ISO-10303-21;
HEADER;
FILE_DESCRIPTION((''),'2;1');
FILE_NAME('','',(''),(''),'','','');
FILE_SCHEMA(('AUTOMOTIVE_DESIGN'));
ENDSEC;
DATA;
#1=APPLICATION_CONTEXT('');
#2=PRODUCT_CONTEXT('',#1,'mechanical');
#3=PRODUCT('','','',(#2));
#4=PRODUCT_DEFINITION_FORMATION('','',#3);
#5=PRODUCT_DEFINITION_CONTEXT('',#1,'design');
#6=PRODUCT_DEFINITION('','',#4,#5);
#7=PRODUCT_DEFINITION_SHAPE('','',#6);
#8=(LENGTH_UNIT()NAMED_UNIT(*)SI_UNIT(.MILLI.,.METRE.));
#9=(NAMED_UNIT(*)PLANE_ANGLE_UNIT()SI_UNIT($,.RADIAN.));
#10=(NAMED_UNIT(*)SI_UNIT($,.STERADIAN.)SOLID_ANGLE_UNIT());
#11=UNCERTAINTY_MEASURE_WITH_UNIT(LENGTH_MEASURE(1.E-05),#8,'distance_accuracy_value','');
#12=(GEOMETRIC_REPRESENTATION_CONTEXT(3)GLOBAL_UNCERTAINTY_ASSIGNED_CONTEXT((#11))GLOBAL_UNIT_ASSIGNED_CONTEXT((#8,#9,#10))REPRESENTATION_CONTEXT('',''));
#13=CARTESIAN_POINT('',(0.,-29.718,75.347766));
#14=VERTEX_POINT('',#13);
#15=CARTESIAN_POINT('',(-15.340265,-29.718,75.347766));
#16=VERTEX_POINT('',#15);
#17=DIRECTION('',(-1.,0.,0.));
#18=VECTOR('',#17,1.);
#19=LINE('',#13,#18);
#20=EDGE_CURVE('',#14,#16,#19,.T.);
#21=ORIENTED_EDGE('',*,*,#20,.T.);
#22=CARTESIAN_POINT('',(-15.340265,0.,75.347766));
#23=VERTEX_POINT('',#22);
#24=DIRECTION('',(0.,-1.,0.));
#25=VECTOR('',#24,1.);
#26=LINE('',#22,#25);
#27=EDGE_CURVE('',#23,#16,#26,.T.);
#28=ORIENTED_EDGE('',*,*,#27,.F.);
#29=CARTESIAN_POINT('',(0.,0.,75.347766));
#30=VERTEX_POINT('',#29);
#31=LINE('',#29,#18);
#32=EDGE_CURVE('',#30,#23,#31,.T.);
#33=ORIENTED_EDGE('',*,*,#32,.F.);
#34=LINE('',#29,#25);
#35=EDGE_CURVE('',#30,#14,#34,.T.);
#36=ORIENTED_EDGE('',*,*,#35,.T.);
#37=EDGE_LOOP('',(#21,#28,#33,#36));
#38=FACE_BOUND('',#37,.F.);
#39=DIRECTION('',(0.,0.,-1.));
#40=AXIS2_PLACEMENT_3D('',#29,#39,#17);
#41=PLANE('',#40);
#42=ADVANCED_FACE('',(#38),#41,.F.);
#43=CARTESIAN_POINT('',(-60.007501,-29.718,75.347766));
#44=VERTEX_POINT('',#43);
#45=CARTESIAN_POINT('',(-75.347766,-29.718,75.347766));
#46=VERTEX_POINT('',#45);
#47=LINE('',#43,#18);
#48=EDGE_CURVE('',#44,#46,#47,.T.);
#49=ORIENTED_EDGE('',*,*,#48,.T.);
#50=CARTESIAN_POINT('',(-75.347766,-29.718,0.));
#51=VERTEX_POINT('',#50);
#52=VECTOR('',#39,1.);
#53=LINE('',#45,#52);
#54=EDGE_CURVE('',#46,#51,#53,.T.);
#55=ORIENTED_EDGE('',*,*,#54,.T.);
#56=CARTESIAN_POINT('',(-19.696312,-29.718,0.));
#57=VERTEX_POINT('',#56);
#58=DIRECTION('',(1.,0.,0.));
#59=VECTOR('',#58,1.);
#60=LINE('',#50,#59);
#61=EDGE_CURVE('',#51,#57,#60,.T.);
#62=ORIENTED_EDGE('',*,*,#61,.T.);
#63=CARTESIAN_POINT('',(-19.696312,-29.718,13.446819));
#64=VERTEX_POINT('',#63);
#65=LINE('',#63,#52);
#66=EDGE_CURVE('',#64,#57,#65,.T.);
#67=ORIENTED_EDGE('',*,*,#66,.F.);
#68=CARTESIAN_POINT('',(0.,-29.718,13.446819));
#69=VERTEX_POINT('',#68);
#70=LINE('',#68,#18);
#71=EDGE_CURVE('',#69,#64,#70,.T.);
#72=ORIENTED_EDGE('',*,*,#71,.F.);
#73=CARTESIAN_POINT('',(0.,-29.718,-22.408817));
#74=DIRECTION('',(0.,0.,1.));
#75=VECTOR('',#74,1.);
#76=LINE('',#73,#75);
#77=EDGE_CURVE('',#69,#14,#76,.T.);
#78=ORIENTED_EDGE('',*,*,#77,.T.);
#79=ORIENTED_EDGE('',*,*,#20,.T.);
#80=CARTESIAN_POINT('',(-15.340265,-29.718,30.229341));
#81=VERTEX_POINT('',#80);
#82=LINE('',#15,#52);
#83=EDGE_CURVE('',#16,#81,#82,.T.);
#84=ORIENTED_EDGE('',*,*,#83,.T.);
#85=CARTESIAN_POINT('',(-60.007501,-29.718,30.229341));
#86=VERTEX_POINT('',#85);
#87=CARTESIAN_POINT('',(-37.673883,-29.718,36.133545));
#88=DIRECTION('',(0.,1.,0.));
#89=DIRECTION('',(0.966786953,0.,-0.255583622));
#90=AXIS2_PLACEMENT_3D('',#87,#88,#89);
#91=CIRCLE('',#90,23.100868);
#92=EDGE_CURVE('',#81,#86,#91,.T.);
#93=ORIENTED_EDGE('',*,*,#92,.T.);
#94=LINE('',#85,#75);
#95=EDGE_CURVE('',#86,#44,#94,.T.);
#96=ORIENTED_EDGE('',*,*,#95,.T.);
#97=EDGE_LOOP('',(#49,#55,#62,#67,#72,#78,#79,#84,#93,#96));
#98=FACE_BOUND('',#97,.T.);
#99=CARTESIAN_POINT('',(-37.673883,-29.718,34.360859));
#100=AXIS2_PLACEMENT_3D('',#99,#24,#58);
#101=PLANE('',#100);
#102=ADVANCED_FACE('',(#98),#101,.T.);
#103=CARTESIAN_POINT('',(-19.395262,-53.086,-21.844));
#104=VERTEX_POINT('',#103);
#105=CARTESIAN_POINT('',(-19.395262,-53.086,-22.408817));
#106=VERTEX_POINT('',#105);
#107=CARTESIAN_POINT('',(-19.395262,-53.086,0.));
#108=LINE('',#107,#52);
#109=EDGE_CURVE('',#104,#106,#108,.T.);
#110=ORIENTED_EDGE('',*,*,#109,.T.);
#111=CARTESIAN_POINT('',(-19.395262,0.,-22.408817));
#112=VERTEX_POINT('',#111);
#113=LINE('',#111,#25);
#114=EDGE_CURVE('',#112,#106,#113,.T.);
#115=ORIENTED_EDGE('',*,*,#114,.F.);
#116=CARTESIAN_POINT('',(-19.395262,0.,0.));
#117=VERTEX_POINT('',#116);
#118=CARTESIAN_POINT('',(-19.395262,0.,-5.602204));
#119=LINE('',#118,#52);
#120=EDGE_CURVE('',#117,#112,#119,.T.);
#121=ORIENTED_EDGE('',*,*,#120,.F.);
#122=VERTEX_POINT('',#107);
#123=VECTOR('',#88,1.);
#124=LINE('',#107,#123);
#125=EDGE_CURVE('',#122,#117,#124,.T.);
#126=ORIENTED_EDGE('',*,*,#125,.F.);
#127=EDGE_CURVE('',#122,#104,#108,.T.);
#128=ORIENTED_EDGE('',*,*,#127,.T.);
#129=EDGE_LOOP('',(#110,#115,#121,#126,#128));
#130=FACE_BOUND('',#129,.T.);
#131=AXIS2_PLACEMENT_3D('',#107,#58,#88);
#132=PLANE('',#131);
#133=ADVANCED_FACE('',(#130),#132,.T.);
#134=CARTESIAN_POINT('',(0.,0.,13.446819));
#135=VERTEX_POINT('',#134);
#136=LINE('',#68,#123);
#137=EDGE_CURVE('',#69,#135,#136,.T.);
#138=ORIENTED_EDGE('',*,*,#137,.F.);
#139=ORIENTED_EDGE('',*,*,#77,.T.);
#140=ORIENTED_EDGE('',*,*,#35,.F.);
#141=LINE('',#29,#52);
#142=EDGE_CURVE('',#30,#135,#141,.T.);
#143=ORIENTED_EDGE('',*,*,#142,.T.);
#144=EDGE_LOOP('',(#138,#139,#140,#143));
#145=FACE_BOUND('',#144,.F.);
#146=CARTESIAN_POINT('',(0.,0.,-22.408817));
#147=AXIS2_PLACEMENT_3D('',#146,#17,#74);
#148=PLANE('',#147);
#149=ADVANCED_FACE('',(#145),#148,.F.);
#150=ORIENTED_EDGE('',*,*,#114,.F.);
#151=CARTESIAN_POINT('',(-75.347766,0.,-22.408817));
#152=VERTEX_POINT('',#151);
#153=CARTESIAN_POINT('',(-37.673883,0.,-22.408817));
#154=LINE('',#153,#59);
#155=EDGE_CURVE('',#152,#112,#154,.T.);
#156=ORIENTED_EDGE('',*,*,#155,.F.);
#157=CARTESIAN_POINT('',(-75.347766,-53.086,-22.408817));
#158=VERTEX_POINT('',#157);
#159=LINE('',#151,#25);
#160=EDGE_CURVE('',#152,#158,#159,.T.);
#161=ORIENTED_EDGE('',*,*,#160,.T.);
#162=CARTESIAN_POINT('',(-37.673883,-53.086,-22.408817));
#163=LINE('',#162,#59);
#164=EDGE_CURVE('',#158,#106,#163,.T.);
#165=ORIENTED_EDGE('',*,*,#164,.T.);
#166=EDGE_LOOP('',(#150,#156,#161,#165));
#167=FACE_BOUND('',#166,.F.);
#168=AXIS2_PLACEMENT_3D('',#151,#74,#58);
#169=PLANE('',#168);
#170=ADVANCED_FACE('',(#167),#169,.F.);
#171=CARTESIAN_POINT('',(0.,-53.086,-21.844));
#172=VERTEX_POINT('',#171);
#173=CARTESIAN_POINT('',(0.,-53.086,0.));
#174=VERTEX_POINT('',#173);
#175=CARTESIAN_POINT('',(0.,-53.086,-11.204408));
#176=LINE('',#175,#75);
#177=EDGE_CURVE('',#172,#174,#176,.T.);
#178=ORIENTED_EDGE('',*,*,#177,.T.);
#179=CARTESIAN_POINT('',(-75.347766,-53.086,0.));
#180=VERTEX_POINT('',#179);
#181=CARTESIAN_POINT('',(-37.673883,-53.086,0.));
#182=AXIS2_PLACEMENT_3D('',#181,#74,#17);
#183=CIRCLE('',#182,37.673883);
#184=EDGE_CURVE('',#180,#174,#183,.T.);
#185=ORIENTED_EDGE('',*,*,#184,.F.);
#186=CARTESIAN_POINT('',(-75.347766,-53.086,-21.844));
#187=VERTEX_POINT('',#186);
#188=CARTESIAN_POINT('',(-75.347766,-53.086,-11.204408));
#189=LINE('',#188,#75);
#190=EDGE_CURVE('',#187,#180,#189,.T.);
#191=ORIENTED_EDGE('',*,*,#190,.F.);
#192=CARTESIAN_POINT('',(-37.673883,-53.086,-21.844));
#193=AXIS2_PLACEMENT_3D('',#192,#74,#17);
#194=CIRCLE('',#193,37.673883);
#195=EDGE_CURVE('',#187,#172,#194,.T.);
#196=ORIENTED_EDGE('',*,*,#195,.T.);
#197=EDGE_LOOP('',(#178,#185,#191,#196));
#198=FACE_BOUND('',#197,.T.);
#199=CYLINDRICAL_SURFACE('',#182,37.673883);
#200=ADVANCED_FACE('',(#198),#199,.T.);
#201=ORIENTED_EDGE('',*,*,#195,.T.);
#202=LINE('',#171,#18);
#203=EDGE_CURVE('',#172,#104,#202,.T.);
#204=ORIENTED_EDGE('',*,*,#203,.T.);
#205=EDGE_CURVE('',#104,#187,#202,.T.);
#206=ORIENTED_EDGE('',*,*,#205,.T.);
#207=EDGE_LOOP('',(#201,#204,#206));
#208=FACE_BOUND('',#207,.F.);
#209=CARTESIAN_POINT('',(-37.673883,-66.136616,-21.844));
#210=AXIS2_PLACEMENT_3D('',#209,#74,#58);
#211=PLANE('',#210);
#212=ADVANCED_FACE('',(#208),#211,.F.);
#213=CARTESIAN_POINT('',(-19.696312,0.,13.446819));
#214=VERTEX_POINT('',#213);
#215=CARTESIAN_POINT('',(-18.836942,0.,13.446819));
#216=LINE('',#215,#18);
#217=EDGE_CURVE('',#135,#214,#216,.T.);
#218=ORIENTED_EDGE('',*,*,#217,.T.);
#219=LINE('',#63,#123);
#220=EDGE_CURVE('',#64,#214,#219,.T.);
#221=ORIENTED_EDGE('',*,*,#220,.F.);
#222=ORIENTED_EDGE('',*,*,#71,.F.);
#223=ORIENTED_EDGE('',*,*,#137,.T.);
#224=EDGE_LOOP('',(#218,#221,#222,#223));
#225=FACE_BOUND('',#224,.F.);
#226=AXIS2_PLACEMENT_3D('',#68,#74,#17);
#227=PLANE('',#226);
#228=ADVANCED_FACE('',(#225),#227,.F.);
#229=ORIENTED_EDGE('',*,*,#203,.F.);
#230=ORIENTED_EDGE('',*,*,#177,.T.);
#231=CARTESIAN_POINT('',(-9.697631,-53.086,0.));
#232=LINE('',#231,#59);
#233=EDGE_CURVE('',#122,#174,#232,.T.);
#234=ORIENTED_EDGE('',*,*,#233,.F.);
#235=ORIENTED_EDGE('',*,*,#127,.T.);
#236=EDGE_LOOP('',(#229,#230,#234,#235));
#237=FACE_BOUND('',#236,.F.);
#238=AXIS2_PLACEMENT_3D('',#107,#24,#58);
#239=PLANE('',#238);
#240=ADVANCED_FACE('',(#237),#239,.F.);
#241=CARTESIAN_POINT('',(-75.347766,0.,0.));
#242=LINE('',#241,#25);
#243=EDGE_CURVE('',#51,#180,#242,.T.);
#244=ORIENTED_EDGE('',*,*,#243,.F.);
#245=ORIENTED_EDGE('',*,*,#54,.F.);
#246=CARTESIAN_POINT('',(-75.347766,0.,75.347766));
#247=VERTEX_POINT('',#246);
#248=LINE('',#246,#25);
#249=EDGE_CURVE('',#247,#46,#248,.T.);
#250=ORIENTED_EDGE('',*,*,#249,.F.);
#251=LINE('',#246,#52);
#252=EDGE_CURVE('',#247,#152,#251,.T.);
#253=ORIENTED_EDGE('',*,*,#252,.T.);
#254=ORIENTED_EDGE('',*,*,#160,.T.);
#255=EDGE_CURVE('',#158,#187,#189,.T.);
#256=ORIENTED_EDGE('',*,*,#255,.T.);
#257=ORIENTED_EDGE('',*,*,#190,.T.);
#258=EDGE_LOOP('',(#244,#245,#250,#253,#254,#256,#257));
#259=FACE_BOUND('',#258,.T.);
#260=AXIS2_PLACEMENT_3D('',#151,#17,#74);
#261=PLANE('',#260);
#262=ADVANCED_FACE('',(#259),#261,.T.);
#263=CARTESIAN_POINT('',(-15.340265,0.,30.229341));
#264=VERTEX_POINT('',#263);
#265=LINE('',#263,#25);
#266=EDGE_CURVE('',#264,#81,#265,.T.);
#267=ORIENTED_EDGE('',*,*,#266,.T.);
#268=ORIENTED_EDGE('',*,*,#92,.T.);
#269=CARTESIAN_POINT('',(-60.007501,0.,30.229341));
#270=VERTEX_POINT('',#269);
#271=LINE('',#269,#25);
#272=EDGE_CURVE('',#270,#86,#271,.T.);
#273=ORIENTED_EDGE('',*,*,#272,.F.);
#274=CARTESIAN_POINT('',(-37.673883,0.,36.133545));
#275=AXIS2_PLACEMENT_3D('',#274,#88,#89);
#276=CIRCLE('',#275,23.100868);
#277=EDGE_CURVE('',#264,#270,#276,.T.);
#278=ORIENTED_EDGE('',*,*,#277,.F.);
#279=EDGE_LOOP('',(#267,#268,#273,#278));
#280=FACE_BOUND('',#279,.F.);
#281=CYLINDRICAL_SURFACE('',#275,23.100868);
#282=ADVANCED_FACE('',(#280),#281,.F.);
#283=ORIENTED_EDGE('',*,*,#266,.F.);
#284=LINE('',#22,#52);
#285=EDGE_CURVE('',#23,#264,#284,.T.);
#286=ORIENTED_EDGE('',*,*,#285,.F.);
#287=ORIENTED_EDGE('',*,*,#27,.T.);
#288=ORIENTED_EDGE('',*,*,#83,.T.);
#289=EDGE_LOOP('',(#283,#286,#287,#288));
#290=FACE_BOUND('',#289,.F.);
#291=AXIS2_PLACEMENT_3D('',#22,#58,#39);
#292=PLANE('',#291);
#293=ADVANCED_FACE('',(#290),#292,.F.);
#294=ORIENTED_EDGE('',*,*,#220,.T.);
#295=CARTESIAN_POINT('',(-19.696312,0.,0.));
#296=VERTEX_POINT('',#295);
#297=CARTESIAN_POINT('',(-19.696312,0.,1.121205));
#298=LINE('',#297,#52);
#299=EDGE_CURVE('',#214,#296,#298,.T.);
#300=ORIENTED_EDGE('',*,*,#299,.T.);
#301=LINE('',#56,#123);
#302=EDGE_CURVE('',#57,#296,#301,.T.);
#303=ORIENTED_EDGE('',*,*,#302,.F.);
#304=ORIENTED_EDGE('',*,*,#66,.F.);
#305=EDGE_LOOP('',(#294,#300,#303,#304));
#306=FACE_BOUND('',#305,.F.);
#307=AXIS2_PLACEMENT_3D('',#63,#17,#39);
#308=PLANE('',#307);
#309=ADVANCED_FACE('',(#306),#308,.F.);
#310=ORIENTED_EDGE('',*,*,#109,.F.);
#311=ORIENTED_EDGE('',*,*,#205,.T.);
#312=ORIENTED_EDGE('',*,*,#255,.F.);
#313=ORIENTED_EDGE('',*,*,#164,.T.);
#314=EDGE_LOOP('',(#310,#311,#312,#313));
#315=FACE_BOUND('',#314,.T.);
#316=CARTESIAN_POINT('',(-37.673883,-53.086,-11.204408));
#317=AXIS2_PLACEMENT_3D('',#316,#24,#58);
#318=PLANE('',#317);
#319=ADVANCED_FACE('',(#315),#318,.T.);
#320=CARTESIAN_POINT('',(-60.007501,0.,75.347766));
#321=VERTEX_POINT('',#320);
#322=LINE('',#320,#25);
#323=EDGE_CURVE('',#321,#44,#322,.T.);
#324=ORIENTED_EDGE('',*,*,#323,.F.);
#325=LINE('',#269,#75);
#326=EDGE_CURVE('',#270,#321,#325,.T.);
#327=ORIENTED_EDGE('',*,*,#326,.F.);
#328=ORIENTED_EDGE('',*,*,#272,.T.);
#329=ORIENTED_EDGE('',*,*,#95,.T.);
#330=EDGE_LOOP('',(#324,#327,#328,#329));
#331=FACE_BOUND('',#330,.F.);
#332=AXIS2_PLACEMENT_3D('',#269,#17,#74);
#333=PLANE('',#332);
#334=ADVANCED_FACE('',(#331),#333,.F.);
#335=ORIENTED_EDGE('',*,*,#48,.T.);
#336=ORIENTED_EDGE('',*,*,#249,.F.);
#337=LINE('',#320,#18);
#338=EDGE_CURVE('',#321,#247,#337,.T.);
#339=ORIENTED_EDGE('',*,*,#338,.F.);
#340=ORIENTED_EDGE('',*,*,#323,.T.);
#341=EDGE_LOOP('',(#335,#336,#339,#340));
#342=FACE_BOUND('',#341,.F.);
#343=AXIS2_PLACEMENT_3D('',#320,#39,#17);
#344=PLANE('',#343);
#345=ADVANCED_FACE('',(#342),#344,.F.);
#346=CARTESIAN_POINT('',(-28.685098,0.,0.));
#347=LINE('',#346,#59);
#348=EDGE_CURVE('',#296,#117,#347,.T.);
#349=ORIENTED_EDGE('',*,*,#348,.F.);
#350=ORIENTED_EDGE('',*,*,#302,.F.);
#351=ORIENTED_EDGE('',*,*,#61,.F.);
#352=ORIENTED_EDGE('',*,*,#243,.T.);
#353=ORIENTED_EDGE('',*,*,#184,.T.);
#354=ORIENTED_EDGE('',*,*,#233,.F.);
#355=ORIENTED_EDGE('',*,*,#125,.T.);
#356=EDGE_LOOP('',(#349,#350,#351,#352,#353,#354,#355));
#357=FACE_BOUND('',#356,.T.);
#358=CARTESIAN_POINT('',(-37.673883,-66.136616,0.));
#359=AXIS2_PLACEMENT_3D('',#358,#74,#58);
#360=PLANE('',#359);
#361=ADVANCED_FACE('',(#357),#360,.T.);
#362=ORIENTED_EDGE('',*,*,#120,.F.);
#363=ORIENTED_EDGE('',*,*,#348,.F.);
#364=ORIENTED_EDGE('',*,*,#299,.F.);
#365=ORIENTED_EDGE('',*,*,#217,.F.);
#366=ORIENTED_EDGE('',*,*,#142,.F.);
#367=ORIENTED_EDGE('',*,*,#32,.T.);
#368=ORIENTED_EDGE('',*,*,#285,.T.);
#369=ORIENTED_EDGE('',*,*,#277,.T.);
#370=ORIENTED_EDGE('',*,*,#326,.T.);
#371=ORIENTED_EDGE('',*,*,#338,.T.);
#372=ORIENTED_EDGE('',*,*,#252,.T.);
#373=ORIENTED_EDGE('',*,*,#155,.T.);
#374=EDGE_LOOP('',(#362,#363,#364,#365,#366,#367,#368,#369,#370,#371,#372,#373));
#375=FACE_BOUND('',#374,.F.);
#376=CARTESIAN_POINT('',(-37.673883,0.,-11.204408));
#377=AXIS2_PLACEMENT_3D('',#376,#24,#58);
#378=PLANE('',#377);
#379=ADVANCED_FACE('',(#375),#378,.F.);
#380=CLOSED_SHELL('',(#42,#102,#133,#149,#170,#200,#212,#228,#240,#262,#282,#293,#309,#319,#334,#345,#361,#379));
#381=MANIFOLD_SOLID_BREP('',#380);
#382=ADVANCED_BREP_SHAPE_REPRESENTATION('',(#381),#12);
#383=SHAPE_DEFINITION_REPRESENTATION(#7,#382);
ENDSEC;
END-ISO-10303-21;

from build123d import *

# Parameters (mm, degrees)
F1_DEPTH = 29.718
F0_W     = 75.3477662802
F0_H     = 22.4088169634
F2_DEPTH = 53.086
F4_DEPTH = 21.844
F5_W     = 19.3952620029
F5_H     = 23.368
F6_DEPTH = 22.4098169634
F8_DEPTH = 29.719


with BuildPart() as f1:
    # F0 (on Front) → F1 (new body)
    with BuildSketch(Plane.XZ):
        with BuildLine():
            Line((-60.0075013936, 75.3477662802), (-75.3477662802, 75.3477662802))
            Line((-75.3477662802, 75.3477662802), (-75.3477662802, 0))
            Line((-75.3477662802, 0), (0, 0))
            Line((0, 0), (0, 75.3477662802))
            Line((0, 75.3477662802), (-15.3402648866, 75.3477662802))
            Line((-15.3402648866, 75.3477662802), (-15.3402648866, 30.2293412387))
            ThreePointArc((-15.3402648866, 30.2293412387), (-37.6738831401, 13.0326763907), (-60.0075013936, 30.2293412387))
            Line((-60.0075013936, 30.2293412387), (-60.0075013936, 75.3477662802))
        make_face()
    extrude(amount=F1_DEPTH)

    # F0 (on Front) → F2 (join)
    with BuildSketch(Plane.XZ):
        with Locations((-37.6738831401, -11.2044084817)):
            Rectangle(F0_W, F0_H)
    extrude(amount=F2_DEPTH)

    # F3 (on face) → F4 (join)
    with BuildSketch(Plane.XY):
        with BuildLine():
            Line((0, -53.086), (-75.3477662802, -53.086))
            ThreePointArc((-75.3477662802, -53.086), (-37.6738831401, -90.7598831401), (0, -53.086))
        make_face()
    extrude(amount=-F4_DEPTH)

    # F5 (on face) → F6 (cut, through all)
    with BuildSketch(Plane.XY):
        with Locations((-9.6976310015, -41.402)):
            Rectangle(F5_W, F5_H)
    extrude(amount=-F6_DEPTH, mode=Mode.SUBTRACT)

    # F7 (on face) → F8 (cut, through all)
    with BuildSketch(Plane.XZ.offset(29.718)):
        Polygon((0, 13.4468190372), (-19.6963120252, 13.4468190372), (-19.6963120252, 0), (-19.3952620029, 0), (-19.3952620029, -22.4088169634), (0, -22.4088169634), align=None)
    extrude(amount=-F8_DEPTH, mode=Mode.SUBTRACT)


solid = f1.part
